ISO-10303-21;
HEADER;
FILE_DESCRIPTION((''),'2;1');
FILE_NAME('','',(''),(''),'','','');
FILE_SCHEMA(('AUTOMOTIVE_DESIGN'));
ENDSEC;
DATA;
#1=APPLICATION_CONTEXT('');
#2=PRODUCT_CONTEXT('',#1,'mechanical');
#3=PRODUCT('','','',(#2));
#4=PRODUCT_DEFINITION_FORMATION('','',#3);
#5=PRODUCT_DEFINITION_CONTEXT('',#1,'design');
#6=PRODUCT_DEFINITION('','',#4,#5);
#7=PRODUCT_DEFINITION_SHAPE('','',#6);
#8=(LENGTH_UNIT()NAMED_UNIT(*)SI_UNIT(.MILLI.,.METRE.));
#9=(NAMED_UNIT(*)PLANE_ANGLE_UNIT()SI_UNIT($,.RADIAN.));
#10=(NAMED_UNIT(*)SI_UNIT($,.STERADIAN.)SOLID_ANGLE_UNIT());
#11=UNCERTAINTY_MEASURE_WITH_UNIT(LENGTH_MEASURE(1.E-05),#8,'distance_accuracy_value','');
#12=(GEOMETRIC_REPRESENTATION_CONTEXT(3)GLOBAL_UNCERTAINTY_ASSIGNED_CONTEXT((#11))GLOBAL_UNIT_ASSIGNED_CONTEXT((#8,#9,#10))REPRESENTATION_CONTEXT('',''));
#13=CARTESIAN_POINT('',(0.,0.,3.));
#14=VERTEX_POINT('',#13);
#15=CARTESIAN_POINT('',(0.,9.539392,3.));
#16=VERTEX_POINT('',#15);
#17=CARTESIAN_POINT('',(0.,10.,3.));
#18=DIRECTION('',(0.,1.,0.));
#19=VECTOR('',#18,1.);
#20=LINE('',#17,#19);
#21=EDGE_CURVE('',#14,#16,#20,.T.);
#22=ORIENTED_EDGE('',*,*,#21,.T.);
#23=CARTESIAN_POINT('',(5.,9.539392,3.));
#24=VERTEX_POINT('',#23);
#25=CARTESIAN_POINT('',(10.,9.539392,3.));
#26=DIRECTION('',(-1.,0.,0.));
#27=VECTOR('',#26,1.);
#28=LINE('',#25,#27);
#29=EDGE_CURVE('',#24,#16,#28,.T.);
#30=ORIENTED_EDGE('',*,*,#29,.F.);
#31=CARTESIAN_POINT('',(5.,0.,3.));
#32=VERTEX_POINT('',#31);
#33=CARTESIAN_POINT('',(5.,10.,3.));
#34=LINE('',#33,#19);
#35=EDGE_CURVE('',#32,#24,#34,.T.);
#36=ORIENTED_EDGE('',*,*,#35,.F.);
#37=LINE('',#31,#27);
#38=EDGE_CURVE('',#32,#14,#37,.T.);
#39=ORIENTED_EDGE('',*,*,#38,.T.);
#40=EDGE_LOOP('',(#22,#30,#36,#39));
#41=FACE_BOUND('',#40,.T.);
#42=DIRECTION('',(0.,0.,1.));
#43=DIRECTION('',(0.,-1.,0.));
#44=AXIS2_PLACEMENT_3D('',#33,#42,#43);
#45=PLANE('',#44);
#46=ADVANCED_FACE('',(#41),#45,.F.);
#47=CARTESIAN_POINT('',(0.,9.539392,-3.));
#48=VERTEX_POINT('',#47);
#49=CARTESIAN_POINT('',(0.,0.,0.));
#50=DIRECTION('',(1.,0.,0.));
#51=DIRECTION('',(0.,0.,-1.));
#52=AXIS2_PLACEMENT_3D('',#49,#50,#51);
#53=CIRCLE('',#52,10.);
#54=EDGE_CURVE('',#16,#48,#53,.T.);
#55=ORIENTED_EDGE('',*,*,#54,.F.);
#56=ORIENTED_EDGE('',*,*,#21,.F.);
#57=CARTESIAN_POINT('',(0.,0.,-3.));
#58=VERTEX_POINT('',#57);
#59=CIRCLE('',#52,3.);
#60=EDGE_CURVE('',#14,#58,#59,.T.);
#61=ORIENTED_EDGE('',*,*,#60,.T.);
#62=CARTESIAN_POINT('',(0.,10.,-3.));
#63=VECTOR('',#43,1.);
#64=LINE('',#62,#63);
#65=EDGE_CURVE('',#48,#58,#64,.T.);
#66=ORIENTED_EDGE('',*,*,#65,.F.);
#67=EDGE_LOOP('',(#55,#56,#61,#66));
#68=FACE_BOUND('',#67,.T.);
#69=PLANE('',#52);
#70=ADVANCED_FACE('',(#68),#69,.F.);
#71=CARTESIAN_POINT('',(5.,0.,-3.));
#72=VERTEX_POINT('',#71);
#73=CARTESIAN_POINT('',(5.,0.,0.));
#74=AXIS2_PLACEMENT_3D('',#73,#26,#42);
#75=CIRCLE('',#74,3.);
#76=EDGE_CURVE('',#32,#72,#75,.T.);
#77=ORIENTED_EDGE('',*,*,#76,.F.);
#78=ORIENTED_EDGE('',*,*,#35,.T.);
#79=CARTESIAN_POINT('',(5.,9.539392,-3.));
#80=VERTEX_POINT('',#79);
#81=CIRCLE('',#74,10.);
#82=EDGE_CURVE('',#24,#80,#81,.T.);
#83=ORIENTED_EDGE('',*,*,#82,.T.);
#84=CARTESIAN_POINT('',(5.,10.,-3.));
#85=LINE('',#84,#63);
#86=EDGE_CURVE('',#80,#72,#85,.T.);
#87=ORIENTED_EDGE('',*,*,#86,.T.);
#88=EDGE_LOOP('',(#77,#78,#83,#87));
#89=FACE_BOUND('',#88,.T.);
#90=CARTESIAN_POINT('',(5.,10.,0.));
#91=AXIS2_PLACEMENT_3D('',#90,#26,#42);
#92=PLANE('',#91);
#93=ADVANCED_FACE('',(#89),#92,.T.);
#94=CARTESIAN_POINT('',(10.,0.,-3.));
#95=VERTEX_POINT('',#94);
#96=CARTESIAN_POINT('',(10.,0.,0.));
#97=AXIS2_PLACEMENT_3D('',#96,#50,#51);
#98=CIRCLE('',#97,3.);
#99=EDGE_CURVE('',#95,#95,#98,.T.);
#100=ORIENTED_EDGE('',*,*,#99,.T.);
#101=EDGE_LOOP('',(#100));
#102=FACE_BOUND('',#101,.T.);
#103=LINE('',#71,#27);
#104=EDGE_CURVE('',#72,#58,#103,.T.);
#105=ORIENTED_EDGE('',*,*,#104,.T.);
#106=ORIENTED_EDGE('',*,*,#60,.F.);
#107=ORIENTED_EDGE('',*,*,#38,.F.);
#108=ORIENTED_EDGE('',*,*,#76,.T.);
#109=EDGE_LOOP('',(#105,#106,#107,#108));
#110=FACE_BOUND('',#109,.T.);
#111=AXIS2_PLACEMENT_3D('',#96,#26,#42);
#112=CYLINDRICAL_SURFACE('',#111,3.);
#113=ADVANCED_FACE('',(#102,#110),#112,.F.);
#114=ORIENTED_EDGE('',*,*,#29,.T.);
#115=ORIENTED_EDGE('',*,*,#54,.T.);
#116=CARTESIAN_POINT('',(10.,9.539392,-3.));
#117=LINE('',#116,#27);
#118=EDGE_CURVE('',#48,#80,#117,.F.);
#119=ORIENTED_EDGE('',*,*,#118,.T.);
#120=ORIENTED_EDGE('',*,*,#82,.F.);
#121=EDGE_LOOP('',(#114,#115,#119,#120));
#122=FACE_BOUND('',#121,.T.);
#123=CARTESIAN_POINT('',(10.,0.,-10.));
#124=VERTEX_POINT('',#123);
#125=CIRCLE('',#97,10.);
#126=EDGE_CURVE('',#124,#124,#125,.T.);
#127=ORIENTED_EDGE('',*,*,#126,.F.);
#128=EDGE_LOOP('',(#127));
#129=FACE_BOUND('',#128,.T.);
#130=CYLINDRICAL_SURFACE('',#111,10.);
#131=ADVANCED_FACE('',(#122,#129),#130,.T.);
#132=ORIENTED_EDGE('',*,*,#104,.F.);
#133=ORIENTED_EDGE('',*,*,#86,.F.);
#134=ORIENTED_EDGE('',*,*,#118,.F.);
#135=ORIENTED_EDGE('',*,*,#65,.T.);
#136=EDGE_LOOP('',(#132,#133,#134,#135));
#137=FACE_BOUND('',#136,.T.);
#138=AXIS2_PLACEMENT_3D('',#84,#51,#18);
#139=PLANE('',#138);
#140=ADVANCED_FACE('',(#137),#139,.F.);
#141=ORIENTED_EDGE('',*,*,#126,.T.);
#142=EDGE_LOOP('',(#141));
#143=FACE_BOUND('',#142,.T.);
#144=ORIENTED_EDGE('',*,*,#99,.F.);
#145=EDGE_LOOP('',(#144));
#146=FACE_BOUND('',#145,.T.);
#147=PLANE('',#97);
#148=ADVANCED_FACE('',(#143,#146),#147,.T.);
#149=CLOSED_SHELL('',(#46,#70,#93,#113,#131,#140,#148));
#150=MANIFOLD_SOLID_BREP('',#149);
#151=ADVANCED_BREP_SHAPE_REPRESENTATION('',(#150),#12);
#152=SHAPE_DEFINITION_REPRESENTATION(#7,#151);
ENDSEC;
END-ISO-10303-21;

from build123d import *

# Parameters (mm, degrees)
SKETCH_1_R          = 10
SKETCH_1_R_2        = 3
EXTRUDE_1_DEPTH     = 10
CUT_EXTRUDE_1_DEPTH = 5


with BuildPart() as part:
    # ｽｹｯﾁ1 → ﾎﾞｽ - 押し出し1 (new body)
    with BuildSketch(Plane(origin=(0, 0, 0), x_dir=(0, 0, -1), z_dir=(1, 0, 0))):
        Circle(SKETCH_1_R)
        Circle(SKETCH_1_R_2, mode=Mode.SUBTRACT)
    extrude(amount=EXTRUDE_1_DEPTH)

    # ｽｹｯﾁ2 → ｶｯﾄ - 押し出し1 (cut)
    with BuildSketch(Plane.ZY):
        with BuildLine():
            Line((3, 10), (3, 0))
            ThreePointArc((3, 0), (0, -3), (-3, 0))
            Line((-3, 0), (-3, 10))
            ThreePointArc((-3, 10), (0, 13), (3, 10))
        make_face()
    extrude(amount=-CUT_EXTRUDE_1_DEPTH, mode=Mode.SUBTRACT)


solid = part.part
